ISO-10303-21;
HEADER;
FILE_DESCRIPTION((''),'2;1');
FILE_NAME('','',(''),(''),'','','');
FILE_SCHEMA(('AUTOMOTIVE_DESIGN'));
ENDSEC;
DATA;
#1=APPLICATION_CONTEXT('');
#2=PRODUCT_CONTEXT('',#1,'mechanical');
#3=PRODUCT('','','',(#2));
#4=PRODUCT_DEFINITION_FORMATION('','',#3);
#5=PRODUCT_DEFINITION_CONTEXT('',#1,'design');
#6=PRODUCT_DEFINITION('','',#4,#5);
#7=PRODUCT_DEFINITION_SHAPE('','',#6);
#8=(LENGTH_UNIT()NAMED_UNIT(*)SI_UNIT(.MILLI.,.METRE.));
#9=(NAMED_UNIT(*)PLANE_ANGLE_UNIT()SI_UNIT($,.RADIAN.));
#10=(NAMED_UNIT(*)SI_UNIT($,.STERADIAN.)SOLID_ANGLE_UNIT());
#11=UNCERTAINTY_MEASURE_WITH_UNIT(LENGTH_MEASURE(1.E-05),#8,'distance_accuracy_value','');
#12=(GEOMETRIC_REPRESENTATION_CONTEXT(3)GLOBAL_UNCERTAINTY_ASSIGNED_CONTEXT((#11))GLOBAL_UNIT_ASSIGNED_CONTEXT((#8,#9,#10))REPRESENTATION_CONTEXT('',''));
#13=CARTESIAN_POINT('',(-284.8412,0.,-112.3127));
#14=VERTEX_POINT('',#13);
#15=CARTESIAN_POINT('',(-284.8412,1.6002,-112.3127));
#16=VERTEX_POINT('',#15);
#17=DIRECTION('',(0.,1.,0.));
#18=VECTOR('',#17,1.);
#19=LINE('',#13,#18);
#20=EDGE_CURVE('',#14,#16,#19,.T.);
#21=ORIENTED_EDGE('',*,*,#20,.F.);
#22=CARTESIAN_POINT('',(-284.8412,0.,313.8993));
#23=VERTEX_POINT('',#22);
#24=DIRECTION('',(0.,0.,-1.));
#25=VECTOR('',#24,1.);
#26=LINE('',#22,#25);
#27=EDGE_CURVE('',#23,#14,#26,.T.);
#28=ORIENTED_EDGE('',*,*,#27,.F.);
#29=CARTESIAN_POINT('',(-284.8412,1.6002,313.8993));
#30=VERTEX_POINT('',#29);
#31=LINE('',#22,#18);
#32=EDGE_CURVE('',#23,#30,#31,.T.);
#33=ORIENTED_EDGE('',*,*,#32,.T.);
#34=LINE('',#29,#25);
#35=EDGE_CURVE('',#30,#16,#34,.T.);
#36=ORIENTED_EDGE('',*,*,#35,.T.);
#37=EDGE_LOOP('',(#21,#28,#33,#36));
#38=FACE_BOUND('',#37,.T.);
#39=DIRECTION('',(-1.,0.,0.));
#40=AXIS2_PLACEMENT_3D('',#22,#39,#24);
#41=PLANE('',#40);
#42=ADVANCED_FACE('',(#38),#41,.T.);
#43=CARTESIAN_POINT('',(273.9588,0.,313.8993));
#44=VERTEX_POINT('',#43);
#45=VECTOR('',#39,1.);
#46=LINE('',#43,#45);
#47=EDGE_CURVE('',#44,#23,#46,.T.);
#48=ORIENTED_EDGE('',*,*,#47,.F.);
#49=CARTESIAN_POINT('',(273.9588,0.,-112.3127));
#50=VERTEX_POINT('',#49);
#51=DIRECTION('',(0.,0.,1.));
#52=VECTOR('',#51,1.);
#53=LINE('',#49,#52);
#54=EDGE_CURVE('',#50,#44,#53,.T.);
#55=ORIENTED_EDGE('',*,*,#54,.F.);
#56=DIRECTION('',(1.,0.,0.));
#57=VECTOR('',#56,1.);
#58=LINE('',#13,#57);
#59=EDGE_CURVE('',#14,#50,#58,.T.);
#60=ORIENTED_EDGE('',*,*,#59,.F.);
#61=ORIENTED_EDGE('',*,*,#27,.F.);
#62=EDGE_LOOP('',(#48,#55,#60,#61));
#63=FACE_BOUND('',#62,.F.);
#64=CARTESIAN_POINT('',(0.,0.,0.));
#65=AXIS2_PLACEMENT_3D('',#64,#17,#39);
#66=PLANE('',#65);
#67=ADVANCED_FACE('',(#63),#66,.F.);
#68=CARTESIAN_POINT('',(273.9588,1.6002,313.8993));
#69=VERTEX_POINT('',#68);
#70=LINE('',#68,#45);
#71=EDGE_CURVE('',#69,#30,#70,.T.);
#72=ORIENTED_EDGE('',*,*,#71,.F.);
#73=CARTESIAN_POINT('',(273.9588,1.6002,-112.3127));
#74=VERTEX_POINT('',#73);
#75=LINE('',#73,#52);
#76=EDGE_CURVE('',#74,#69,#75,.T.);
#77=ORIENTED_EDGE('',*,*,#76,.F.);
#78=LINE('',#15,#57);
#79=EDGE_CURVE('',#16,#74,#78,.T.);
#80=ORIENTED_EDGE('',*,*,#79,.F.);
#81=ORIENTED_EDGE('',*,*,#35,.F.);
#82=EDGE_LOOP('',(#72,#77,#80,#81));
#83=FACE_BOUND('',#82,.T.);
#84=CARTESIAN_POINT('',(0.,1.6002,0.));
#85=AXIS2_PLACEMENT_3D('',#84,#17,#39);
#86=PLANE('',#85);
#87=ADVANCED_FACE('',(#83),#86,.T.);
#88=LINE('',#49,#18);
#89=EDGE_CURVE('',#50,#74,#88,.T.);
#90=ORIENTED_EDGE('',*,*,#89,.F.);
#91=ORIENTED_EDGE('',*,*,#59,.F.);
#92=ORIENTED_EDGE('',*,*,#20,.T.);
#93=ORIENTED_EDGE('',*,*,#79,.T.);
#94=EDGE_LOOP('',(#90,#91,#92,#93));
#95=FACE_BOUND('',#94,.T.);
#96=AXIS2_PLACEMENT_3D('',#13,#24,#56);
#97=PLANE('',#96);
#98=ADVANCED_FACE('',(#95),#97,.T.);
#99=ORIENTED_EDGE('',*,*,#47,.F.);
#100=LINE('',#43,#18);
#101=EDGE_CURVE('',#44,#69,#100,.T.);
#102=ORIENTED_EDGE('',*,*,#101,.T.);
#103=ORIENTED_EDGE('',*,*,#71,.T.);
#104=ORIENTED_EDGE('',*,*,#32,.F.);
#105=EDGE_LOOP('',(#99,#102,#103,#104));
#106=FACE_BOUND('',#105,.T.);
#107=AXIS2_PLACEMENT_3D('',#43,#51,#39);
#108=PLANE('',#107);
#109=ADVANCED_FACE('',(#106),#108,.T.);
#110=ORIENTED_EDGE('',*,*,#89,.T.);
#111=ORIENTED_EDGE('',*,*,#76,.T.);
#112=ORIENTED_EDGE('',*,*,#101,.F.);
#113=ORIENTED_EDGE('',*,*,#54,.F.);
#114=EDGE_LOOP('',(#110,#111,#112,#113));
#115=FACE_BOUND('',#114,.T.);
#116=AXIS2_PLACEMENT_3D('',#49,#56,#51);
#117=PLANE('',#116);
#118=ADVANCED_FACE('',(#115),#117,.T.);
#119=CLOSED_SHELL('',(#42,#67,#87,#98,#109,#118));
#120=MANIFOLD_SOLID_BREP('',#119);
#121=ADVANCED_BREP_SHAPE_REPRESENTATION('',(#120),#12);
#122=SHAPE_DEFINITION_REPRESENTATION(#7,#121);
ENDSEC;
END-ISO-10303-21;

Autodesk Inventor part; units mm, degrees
ref_plane "YZ Plane" through (0, 0, 0) normal (1, 0, 0) x (0, 1, 0)
ref_plane "XZ Plane" through (0, 0, 0) normal (0, 1, 0) x (-1, 0, 0)
ref_plane "XY Plane" through (0, 0, 0) normal (0, 0, 1) x (1, 0, 0)
sketch "Sketch1" plane through (0, 0, 0) normal (0, 1, 0) x (-1, 0, 0)
  line L0 (284.8412, -112.3127) -> (-273.9588, -112.3127)
  line L1 (-273.9588, -112.3127) -> (-273.9588, 313.8993)
  line L2 (-273.9588, 313.8993) -> (284.8412, 313.8993)
  line L3 (284.8412, 313.8993) -> (284.8412, -112.3127)
  point P0 (0, 0)
extrude "Extrusion1" add sketch "Sketch1" along normal blind 1.6002
properties part number "FirewallDiagonal" material "Aluminum 6061"
